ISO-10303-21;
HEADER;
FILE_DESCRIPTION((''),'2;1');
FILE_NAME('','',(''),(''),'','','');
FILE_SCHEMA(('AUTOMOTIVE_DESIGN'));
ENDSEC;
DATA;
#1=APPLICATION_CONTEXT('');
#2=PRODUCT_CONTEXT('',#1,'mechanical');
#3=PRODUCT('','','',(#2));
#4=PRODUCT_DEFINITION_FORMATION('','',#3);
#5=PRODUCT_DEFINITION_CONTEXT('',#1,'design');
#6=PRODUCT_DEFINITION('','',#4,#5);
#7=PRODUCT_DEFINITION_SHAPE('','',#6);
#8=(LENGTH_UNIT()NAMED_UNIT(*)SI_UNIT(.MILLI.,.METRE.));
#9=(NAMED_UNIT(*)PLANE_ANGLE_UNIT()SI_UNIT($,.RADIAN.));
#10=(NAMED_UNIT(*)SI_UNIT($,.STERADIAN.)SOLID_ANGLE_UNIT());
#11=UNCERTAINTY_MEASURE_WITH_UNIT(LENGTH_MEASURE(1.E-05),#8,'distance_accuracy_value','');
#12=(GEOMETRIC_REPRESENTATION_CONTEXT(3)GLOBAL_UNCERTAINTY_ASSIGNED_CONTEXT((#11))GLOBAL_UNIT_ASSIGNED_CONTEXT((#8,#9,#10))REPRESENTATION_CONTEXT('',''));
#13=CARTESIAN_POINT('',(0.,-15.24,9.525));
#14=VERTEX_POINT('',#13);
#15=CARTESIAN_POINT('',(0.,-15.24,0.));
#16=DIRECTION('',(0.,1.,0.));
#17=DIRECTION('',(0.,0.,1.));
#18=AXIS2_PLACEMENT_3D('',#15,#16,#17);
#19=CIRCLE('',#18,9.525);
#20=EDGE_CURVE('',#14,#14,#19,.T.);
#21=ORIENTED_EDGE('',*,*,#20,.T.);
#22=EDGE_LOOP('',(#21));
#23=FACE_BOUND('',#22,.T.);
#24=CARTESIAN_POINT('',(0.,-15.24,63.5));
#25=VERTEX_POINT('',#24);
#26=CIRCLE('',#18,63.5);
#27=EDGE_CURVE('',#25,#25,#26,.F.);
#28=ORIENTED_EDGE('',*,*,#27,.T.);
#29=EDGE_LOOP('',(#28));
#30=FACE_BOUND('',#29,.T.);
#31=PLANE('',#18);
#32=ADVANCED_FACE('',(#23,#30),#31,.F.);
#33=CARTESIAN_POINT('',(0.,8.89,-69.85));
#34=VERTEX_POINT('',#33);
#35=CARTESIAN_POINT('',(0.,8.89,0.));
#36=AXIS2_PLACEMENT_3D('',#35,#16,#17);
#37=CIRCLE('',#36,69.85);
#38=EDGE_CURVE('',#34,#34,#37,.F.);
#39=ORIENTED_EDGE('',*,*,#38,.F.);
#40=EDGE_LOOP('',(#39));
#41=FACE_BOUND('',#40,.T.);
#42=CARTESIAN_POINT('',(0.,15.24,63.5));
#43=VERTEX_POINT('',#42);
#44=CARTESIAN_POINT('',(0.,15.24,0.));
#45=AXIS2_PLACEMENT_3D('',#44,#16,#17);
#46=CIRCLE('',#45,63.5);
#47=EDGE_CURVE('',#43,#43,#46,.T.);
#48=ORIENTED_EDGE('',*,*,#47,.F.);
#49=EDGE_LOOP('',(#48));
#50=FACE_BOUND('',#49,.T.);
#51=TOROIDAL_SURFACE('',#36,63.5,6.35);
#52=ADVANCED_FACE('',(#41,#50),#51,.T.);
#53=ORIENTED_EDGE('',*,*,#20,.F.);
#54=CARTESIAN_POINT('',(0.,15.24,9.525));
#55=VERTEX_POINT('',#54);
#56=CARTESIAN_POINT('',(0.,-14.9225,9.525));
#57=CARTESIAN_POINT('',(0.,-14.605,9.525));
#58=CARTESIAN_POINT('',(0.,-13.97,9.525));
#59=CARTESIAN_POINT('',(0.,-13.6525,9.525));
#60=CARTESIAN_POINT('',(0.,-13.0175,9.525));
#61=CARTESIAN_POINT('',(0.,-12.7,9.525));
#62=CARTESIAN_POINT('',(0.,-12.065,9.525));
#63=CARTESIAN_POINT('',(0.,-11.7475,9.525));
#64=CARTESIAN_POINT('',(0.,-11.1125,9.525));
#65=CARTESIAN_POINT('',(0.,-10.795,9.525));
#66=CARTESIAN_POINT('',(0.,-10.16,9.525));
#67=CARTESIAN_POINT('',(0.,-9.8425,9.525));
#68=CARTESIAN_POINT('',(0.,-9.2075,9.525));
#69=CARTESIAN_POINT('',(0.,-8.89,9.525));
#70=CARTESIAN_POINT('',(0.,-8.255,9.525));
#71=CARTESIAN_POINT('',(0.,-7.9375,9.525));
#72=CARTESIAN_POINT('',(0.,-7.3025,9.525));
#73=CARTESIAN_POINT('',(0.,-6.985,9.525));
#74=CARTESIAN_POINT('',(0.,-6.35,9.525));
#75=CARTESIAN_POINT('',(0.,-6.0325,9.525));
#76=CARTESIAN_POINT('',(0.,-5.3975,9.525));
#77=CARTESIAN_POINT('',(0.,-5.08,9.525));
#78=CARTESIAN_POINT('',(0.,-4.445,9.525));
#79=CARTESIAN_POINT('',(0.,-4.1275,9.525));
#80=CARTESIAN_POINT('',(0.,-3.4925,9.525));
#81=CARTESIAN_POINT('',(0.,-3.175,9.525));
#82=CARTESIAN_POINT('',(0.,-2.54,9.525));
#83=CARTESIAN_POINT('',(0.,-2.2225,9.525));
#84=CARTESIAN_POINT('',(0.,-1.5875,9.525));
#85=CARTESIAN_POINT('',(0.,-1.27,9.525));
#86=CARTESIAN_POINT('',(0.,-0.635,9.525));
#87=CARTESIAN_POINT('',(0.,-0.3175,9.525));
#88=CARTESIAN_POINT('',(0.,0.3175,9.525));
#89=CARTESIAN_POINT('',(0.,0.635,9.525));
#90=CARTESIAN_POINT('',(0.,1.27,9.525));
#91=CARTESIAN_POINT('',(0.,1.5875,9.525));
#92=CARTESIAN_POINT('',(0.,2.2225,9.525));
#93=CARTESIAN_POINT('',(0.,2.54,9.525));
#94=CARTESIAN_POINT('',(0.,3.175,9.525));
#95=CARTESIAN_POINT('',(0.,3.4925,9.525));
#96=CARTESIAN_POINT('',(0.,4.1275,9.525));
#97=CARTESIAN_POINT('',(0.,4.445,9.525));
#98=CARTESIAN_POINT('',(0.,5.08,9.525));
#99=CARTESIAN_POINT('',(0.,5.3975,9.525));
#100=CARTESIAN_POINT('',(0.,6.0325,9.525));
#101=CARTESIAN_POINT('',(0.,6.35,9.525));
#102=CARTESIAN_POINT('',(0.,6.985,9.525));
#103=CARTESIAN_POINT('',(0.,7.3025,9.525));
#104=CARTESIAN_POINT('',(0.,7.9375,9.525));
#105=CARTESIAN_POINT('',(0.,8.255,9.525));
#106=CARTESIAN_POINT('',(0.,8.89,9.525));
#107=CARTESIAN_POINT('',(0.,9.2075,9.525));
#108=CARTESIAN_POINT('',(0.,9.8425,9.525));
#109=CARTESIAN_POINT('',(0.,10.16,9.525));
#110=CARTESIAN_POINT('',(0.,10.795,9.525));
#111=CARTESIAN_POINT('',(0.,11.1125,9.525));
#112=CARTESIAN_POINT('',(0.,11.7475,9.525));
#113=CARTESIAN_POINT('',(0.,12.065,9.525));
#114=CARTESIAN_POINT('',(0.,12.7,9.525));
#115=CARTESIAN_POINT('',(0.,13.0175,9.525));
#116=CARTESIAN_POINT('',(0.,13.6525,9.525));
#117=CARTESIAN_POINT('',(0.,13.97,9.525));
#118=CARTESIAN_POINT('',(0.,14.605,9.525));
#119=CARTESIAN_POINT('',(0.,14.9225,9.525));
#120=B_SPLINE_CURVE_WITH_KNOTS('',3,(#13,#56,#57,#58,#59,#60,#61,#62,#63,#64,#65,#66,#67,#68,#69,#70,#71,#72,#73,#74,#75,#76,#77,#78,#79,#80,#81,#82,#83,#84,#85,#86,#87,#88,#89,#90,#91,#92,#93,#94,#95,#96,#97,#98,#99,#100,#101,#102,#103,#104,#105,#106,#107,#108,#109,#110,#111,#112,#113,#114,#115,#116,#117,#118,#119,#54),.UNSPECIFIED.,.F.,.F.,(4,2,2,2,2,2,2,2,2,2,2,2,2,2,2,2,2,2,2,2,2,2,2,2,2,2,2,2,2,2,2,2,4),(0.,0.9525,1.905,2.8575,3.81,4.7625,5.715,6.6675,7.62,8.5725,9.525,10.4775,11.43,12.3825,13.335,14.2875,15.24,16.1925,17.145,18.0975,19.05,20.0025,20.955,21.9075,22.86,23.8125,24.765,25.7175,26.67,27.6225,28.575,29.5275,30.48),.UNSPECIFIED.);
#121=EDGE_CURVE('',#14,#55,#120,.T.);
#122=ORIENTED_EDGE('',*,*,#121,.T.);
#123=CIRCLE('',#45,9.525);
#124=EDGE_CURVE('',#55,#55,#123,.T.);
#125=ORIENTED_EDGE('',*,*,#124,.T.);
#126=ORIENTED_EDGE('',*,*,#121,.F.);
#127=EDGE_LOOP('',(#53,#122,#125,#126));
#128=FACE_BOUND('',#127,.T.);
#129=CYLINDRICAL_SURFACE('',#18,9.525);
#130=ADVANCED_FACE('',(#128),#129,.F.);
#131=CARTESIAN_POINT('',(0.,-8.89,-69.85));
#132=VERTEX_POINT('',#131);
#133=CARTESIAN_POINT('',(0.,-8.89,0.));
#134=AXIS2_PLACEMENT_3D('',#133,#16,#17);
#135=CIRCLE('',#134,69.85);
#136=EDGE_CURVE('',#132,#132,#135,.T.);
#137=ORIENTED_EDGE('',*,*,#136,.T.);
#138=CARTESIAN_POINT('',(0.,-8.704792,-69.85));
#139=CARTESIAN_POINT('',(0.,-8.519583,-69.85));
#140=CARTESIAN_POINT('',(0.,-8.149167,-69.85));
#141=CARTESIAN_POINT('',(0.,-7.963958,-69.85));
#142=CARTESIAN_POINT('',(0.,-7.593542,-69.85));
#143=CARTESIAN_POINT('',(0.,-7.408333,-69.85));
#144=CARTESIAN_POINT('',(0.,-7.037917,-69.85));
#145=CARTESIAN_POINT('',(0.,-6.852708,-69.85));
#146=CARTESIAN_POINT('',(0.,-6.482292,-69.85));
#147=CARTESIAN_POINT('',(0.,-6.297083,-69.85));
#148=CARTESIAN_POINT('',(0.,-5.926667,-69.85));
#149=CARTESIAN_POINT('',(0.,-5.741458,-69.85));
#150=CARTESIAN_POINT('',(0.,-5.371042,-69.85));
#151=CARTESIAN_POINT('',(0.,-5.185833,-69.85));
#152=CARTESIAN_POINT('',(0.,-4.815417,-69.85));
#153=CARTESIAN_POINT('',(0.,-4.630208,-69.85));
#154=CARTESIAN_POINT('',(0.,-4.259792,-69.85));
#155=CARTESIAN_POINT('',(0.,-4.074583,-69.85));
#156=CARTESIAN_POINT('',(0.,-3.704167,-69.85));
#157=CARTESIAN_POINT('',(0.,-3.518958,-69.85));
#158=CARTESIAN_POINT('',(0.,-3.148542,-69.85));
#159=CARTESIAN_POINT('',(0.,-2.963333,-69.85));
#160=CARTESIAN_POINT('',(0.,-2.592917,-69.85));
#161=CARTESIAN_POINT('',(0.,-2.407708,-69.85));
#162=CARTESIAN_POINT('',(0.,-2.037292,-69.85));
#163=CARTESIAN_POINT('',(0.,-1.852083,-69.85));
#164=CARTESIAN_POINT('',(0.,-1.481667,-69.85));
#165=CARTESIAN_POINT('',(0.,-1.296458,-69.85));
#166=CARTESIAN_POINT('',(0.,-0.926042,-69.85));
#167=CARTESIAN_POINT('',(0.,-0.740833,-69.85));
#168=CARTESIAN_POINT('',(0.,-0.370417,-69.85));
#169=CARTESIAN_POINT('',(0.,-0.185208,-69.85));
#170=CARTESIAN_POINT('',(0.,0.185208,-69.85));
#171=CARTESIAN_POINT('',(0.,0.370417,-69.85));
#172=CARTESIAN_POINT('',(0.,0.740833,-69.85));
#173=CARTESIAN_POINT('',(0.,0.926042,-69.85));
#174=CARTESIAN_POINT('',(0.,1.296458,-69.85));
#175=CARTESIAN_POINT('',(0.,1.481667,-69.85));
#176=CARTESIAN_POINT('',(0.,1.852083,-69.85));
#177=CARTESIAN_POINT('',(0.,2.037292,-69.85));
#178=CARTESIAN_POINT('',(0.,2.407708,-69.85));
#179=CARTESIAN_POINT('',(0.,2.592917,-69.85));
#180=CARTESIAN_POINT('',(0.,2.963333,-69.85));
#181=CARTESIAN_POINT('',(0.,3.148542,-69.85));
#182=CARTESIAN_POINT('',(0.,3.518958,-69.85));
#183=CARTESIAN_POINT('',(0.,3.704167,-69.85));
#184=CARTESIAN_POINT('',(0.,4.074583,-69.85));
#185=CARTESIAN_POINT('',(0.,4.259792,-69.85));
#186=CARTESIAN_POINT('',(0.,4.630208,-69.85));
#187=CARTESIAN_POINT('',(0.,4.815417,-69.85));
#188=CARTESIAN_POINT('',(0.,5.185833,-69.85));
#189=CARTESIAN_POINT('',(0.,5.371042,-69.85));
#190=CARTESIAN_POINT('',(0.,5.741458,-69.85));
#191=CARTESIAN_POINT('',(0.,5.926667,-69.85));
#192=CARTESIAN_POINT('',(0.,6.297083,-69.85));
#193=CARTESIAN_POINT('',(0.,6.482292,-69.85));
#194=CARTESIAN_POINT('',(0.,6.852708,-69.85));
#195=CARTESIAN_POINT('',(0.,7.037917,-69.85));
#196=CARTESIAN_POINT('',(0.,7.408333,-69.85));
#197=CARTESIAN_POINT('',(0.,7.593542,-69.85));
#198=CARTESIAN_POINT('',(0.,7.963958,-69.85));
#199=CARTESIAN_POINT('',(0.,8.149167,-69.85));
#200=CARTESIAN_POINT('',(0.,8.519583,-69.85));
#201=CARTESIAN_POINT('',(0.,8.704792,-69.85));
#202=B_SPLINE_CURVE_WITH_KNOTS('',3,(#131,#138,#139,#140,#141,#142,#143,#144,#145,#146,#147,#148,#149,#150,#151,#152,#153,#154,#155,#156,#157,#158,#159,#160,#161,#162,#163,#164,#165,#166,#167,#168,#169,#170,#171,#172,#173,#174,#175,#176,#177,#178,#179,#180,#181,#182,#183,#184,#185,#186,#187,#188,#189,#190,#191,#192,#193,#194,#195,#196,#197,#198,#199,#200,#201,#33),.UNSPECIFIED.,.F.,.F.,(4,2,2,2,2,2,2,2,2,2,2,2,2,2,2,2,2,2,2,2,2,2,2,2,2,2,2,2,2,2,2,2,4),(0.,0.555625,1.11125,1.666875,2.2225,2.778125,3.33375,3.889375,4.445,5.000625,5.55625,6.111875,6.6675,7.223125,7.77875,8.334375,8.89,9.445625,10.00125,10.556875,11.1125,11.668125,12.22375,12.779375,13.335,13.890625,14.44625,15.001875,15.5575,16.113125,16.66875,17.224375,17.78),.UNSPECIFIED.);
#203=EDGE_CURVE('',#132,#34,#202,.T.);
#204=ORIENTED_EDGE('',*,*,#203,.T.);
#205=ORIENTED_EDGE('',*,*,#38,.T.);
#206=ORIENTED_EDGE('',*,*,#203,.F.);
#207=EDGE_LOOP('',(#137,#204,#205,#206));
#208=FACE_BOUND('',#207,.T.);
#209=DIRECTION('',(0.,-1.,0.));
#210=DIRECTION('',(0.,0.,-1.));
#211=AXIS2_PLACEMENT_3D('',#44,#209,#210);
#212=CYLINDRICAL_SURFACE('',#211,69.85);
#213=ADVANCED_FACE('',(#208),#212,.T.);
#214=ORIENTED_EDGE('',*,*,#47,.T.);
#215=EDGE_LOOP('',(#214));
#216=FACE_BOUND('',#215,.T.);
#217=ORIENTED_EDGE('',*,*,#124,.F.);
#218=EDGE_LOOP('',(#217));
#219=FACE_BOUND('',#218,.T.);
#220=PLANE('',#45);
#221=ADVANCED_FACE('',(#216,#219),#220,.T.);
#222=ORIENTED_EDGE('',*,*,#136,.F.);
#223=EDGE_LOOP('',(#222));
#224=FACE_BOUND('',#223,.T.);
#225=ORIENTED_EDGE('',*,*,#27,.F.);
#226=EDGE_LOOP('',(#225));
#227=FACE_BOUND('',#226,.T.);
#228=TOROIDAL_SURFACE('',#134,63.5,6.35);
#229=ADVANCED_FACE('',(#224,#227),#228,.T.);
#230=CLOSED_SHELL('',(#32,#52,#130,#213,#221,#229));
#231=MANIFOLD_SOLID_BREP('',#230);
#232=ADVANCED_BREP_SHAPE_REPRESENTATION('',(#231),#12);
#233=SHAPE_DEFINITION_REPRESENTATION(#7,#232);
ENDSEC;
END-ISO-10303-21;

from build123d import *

# Parameters (mm, degrees)
SKETCH1_R           = 69.85
BOSS_EXTRUDE1_DEPTH = 15.24
SKETCH2_R           = 9.525
CUT_EXTRUDE1_DEPTH  = 30.48
FILLET1_R           = 6.35


with BuildPart() as part:
    # Sketch1 → Boss-Extrude1 (new, symmetric)
    with BuildSketch(Plane(origin=(0, 0, 0), x_dir=(1, 0, 0), z_dir=(0, 1, 0))):
        with Locations(Location((0, 0, 0), (0, 0, 90))):
            Circle(SKETCH1_R)
    extrude(amount=BOSS_EXTRUDE1_DEPTH, both=True)

    # Sketch2 → Cut-Extrude1 (cut)
    with BuildSketch(Plane(origin=(0, 15.24, 0), x_dir=(1, 0, 0), z_dir=(0, 1, 0))):
        with Locations(Location((0, 0, 0), (0, 0, 270))):
            Circle(SKETCH2_R)
    extrude(amount=-CUT_EXTRUDE1_DEPTH, mode=Mode.SUBTRACT)

    # Fillet1
    fillet1_edges = [part.edges().sort_by_distance(p)[0] for p in [
        (0, -15.24, 69.85),
        (0, 15.24, 69.85),
    ]]
    fillet(fillet1_edges, radius=FILLET1_R)


solid = part.part
